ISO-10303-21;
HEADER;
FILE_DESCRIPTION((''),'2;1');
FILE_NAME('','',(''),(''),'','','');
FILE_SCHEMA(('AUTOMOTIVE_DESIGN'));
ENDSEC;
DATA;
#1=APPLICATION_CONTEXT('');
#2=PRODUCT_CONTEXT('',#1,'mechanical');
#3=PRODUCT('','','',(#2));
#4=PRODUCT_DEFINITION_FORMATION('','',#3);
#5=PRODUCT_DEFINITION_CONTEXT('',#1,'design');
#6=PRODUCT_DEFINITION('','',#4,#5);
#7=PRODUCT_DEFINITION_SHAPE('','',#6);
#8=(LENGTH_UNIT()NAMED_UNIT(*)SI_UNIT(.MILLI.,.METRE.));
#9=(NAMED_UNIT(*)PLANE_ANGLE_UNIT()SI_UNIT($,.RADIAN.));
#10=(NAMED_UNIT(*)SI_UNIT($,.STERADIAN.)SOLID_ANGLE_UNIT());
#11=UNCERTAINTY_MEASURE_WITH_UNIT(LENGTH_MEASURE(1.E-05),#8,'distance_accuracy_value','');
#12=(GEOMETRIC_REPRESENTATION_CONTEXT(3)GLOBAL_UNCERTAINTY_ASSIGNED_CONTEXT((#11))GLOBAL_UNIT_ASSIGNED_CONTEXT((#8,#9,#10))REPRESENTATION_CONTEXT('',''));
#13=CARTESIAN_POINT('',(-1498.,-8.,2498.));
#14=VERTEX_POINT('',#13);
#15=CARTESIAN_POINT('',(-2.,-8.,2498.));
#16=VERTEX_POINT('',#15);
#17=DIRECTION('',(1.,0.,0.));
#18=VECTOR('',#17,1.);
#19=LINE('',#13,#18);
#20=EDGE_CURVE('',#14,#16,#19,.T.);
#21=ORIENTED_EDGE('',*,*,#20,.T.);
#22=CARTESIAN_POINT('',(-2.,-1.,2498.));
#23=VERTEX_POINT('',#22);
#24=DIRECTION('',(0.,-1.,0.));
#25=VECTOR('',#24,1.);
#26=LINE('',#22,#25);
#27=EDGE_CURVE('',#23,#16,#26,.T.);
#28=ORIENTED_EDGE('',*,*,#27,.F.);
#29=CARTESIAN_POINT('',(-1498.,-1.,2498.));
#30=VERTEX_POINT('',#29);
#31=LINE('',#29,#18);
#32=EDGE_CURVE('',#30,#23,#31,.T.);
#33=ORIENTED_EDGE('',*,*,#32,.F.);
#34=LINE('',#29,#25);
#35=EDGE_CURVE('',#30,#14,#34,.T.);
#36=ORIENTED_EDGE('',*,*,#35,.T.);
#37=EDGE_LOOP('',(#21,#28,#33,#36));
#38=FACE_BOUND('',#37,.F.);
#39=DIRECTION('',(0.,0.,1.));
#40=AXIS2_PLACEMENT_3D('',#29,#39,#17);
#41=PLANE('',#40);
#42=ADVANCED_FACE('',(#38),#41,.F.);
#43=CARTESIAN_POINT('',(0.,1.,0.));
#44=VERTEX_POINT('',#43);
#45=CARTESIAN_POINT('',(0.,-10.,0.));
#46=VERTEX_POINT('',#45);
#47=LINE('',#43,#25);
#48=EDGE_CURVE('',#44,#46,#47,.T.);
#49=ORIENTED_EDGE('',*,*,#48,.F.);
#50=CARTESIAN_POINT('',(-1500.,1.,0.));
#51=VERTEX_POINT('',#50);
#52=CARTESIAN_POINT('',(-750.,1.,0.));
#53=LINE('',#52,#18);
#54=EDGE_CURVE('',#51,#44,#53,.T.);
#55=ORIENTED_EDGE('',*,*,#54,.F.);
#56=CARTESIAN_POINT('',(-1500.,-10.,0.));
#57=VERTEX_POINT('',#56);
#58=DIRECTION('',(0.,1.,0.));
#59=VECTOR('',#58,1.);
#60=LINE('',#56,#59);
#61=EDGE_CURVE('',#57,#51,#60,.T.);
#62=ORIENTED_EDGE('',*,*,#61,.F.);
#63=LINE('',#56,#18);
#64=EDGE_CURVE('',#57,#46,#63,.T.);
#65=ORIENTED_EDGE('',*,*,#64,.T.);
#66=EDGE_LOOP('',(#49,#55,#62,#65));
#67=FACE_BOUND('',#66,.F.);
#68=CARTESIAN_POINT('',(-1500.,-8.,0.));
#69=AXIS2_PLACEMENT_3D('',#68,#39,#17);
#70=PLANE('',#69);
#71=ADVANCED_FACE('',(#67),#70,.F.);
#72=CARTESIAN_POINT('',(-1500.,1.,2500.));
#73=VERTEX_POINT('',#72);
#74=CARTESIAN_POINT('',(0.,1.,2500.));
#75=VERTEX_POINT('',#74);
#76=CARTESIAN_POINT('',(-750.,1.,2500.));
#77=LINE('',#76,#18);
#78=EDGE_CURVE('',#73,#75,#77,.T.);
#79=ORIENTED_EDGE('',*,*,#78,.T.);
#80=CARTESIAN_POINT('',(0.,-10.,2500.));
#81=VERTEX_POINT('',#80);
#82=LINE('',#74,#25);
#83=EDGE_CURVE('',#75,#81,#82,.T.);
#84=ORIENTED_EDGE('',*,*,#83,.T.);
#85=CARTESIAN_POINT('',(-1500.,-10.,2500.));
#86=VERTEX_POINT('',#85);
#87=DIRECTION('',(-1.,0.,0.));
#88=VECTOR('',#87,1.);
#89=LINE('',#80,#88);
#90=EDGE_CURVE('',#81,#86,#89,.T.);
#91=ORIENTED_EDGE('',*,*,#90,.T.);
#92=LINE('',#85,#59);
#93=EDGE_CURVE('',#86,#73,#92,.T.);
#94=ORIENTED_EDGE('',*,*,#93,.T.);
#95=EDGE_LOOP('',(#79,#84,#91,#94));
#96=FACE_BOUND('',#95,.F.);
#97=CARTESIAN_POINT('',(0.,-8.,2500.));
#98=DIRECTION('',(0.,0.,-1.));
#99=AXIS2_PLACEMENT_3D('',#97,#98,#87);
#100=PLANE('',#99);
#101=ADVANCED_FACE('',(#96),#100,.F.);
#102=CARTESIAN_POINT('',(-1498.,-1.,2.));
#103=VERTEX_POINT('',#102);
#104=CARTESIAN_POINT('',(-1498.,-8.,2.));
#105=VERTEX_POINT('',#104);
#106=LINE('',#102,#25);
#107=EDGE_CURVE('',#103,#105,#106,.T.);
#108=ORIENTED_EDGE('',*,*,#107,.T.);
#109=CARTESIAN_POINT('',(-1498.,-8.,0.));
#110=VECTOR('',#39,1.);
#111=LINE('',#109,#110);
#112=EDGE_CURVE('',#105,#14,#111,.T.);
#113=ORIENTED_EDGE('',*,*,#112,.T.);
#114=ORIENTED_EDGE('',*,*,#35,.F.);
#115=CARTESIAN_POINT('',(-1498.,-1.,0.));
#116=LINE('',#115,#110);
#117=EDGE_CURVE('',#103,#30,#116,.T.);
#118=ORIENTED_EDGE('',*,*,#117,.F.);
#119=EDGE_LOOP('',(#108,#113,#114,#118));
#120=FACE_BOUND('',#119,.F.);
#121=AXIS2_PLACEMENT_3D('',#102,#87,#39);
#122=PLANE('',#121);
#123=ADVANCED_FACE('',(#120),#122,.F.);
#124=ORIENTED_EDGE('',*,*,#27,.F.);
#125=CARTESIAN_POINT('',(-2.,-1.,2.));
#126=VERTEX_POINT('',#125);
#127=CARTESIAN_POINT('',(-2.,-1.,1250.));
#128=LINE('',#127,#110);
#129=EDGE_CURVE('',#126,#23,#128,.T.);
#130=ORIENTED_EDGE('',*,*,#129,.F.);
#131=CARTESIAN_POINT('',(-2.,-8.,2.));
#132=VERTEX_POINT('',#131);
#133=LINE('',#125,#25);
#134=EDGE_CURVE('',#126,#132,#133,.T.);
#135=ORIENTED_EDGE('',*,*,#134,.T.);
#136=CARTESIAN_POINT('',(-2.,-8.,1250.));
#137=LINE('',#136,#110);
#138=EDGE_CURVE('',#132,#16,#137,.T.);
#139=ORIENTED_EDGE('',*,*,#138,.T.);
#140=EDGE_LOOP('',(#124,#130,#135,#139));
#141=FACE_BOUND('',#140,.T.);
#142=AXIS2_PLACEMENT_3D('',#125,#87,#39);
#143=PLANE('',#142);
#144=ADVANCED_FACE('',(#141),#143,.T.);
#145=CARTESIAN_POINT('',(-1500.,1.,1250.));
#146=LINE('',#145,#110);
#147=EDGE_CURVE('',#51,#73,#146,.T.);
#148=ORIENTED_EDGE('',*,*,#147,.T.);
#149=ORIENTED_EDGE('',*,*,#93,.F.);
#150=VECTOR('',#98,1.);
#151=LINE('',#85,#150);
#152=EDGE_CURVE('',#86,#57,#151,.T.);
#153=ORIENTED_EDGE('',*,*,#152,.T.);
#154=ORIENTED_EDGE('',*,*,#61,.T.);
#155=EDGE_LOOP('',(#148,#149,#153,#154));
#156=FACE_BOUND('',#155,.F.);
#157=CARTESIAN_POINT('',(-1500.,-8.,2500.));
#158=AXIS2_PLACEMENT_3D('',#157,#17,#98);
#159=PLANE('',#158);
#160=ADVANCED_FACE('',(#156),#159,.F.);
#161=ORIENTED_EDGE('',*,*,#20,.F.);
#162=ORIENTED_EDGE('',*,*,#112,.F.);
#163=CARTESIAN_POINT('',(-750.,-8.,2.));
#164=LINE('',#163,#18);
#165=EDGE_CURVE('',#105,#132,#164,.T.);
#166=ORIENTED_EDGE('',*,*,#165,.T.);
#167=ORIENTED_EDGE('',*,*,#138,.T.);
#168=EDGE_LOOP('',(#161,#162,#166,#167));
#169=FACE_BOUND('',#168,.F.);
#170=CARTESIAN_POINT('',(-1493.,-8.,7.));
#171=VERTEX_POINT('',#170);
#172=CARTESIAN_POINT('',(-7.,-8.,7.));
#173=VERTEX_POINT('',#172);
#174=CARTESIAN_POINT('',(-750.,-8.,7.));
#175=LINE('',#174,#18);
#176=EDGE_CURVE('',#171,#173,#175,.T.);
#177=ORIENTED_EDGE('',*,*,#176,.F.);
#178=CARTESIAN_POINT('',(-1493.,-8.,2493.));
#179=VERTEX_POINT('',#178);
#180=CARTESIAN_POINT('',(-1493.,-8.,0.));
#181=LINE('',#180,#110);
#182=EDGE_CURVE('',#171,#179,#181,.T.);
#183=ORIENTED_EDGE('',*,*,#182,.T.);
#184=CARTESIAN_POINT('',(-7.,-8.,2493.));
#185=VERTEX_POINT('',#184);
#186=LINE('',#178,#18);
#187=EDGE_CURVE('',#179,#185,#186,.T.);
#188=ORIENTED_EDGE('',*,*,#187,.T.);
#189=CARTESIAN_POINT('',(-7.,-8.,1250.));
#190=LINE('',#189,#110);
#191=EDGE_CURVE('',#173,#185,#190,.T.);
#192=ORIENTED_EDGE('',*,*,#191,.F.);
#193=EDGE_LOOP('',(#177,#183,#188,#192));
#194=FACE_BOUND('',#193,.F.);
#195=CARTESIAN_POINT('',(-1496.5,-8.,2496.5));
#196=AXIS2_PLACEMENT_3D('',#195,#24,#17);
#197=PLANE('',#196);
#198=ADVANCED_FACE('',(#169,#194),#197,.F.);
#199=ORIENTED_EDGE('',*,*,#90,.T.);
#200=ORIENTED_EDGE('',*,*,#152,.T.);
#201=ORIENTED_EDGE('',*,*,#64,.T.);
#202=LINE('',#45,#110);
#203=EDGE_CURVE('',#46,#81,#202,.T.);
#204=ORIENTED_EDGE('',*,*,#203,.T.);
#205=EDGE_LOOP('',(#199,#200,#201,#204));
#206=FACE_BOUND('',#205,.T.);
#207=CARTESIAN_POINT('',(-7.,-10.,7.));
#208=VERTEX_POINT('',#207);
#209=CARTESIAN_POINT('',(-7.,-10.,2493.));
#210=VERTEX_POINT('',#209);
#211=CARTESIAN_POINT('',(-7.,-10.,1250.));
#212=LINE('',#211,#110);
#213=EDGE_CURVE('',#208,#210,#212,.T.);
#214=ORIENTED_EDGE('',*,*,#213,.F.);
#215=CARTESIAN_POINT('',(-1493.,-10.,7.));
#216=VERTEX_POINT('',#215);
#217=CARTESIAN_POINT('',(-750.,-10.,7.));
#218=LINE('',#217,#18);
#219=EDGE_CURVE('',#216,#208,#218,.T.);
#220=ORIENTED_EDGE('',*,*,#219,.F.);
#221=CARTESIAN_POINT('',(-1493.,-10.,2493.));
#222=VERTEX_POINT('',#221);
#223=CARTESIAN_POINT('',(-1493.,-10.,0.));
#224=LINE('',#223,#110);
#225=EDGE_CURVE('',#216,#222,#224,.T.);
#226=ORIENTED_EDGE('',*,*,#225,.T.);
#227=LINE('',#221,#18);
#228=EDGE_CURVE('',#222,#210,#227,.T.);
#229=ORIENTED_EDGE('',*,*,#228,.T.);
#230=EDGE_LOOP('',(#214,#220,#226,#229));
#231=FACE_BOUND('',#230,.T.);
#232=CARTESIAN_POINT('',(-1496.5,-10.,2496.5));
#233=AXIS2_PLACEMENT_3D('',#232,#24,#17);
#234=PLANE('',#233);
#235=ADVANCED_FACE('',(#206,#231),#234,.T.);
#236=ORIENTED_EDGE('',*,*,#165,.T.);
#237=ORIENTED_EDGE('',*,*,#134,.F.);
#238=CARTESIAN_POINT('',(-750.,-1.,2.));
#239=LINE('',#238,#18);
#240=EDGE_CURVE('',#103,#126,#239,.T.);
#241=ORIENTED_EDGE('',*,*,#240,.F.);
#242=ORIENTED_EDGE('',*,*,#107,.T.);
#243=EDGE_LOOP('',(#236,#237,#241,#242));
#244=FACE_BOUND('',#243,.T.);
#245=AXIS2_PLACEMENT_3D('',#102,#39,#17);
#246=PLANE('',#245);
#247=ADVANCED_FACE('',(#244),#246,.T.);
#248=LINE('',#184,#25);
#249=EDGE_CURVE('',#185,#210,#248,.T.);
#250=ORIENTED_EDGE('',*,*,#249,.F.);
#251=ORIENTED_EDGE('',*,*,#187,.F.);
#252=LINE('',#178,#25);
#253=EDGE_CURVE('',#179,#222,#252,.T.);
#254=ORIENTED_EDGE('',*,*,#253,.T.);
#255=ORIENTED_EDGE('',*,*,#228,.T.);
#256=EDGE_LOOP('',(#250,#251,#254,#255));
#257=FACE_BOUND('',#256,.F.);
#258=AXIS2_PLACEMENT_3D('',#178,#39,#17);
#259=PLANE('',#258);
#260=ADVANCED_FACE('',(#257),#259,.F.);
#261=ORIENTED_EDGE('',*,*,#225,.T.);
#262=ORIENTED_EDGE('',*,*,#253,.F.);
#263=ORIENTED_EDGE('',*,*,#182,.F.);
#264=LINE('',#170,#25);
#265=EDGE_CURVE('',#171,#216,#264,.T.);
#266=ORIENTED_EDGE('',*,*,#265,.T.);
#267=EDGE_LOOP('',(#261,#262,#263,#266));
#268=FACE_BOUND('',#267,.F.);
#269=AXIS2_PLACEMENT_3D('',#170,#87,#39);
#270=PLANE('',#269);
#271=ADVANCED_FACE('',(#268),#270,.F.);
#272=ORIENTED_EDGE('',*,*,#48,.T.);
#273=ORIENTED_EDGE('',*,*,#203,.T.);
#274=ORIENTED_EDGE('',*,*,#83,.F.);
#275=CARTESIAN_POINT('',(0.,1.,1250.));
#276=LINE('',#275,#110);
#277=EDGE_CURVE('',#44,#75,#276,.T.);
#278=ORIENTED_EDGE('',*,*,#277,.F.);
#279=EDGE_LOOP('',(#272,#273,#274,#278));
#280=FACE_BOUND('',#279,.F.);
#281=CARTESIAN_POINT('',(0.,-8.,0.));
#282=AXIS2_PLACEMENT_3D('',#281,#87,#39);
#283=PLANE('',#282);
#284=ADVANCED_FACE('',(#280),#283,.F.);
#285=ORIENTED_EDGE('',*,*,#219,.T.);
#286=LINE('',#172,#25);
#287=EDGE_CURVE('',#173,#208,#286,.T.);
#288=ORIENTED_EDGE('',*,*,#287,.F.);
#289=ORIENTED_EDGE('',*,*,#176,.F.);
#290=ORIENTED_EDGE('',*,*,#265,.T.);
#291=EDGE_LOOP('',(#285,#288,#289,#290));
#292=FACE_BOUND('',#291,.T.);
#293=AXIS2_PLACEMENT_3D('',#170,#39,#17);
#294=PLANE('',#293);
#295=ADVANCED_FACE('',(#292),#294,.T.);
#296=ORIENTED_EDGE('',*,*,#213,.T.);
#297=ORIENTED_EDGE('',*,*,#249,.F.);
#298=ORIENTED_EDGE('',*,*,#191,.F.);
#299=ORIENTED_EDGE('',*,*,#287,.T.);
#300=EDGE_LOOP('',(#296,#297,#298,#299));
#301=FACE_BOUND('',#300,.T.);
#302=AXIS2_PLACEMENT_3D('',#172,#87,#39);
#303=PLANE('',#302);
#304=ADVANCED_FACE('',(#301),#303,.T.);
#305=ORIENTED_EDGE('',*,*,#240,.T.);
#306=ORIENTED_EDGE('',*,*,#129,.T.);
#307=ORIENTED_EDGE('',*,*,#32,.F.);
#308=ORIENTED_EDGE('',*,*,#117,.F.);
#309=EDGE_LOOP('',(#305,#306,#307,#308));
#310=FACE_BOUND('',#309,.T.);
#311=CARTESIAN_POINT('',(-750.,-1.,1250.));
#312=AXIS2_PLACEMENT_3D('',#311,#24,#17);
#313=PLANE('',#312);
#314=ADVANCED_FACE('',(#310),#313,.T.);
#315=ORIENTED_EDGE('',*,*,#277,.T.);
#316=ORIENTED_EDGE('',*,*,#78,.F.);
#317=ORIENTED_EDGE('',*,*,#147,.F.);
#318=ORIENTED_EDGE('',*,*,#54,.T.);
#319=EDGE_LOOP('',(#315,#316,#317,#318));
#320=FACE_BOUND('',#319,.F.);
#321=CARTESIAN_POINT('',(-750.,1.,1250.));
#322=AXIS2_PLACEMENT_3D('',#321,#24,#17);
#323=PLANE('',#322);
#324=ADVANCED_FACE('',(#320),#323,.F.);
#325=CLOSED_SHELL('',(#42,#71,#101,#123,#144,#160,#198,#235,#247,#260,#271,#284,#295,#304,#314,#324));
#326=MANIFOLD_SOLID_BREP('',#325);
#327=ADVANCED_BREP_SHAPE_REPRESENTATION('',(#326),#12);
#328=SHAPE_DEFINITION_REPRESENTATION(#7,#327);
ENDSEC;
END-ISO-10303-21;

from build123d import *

# Parameters (mm, degrees)
F0_W     = 1500
F0_H     = 2500
F1_DEPTH = 1
F2_W     = 2
F2_H     = 2
F2_W_2   = 1496
F2_H_2   = 2496
F3_DEPTH = 7
F4_W     = 7
F4_H     = 7
F4_W_2   = 1486
F4_H_2   = 2486
F5_DEPTH = 2


with BuildPart() as f1:
    # F0 (on Front) → F1 (new body, symmetric)
    with BuildSketch(Plane.XZ):
        with Locations((-750, 1250)):
            Rectangle(F0_W, F0_H)
    extrude(amount=F1_DEPTH, both=True)

    # F2 (on face) → F3 (join)
    with BuildSketch(Plane.XZ.offset(1)):
        with Locations((-1499, 2499)):
            Rectangle(F2_W, F2_H)
        with Locations((-750, 2499)):
            Rectangle(F2_W_2, F2_H)
        with Locations((-1499, 1250)):
            Rectangle(F2_W, F2_H_2)
        with Locations((-1, 2499)):
            Rectangle(F2_W, F2_H)
        with Locations((-1499, 1)):
            Rectangle(F2_W, F2_H)
        with Locations((-750, 1)):
            Rectangle(F2_W_2, F2_H)
        with Locations((-1, 1250)):
            Rectangle(F2_W, F2_H_2)
        with Locations((-1, 1)):
            Rectangle(F2_W, F2_H)
    extrude(amount=F3_DEPTH)

    # F4 (on face) → F5 (join)
    with BuildSketch(Plane.XZ.offset(8)):
        with Locations((-1496.5, 2496.5)):
            Rectangle(F4_W, F4_H)
        with Locations((-750, 2496.5)):
            Rectangle(F4_W_2, F4_H)
        with Locations((-1496.5, 1250)):
            Rectangle(F4_W, F4_H_2)
        with Locations((-3.5, 2496.5)):
            Rectangle(F4_W, F4_H)
        with Locations((-1496.5, 3.5)):
            Rectangle(F4_W, F4_H)
        with Locations((-750, 3.5)):
            Rectangle(F4_W_2, F4_H)
        with Locations((-3.5, 1250)):
            Rectangle(F4_W, F4_H_2)
        with Locations((-3.5, 3.5)):
            Rectangle(F4_W, F4_H)
    extrude(amount=F5_DEPTH)


solid = f1.part
